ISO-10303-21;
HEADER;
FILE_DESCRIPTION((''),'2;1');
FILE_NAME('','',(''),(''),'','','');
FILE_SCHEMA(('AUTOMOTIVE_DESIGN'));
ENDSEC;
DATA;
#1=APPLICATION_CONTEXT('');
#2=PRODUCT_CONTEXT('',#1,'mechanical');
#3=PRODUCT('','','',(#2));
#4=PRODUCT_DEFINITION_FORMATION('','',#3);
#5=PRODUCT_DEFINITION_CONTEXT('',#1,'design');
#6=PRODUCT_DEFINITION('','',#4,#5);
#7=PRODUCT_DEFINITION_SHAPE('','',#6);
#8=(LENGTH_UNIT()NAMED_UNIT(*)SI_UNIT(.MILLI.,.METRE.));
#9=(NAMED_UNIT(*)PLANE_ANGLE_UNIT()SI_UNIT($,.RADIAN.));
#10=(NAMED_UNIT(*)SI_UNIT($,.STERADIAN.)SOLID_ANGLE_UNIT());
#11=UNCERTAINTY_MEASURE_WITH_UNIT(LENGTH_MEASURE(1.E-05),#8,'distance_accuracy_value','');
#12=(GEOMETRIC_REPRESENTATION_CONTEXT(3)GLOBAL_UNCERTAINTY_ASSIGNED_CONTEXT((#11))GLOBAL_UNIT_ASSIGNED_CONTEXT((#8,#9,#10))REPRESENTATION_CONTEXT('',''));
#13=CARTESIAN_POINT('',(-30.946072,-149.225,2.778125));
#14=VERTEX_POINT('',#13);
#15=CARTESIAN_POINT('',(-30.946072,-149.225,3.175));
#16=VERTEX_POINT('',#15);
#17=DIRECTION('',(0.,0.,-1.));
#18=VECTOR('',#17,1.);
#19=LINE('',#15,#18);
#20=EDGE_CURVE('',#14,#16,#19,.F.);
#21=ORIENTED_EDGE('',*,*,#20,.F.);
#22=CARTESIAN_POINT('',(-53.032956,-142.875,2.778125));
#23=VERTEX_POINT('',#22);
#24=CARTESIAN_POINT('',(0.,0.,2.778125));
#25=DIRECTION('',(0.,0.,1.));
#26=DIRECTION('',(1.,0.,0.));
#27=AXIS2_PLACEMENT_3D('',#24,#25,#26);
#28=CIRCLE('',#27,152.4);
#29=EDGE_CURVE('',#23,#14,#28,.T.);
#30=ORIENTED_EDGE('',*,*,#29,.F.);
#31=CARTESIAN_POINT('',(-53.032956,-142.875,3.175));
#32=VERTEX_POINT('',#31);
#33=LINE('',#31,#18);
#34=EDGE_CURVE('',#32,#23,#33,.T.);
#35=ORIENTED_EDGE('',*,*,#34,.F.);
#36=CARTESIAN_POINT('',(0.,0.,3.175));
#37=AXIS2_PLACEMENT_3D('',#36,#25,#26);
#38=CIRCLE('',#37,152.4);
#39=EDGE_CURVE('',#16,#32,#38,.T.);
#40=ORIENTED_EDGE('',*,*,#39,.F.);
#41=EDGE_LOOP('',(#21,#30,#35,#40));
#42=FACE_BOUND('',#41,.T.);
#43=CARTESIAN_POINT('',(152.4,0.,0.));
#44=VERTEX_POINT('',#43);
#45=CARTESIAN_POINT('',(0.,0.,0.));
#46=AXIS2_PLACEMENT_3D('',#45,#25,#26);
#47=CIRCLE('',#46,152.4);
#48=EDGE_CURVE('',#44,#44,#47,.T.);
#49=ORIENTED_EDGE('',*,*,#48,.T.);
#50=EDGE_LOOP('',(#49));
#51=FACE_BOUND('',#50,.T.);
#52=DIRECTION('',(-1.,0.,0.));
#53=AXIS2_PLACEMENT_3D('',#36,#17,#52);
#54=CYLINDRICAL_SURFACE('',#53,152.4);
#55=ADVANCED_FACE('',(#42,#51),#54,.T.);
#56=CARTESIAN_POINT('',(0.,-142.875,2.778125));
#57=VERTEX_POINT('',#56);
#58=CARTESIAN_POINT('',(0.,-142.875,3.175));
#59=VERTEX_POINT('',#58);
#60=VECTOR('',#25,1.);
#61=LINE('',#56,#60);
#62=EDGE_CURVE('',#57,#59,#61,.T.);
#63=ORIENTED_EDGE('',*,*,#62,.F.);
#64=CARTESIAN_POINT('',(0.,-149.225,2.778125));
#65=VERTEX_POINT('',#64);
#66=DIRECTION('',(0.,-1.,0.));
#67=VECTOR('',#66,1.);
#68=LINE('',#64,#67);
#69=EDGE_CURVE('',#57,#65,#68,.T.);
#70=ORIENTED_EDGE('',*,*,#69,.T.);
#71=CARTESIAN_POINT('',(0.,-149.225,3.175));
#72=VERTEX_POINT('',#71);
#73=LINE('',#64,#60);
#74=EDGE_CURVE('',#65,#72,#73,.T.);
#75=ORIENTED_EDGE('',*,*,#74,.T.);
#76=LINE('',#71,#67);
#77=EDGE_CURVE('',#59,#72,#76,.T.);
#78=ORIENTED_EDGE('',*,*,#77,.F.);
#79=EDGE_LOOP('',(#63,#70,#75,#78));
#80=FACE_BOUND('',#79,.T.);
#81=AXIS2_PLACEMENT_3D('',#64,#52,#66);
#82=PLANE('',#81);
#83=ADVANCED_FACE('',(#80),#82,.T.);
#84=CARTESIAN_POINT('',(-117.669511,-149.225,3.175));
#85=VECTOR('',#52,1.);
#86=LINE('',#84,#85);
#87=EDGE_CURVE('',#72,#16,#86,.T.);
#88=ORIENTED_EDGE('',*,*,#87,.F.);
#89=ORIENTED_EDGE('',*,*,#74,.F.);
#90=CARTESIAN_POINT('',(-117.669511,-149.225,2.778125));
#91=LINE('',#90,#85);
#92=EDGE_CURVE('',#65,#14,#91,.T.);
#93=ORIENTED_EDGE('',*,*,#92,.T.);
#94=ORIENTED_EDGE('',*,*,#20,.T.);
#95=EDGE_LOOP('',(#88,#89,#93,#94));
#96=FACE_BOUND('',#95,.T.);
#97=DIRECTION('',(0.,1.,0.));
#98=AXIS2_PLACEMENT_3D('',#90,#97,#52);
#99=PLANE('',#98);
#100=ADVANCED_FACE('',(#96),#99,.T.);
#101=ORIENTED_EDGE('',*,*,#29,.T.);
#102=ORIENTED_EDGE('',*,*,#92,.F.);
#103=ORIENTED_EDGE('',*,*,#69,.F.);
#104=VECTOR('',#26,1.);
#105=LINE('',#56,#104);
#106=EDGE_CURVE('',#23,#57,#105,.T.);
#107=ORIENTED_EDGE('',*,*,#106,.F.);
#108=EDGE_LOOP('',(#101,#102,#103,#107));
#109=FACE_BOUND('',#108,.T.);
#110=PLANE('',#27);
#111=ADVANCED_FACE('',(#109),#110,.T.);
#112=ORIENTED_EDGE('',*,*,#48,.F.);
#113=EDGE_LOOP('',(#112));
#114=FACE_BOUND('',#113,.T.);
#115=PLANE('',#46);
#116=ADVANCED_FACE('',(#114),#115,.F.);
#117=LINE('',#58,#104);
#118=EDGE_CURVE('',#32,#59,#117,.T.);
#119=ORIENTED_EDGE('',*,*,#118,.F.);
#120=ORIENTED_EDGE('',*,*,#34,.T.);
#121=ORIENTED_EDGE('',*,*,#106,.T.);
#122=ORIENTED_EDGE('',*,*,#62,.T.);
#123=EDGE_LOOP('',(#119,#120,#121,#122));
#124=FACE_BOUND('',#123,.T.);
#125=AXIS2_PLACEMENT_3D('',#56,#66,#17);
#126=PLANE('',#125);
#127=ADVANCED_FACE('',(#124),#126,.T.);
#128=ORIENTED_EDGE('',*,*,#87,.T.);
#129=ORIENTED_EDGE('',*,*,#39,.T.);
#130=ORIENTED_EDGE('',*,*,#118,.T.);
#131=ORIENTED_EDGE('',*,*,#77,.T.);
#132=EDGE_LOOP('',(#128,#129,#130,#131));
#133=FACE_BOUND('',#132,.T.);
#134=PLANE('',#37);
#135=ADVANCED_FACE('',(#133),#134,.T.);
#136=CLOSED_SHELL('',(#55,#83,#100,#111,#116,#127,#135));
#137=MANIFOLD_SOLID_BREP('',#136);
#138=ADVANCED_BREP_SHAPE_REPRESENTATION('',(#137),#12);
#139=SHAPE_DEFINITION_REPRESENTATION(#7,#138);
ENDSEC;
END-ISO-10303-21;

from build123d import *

# Parameters (mm, degrees)
SKETCH1_R           = 152.4
BOSS_EXTRUDE1_DEPTH = 3.175
CUT_EXTRUDE2_START  = -3.175
SKETCH2_W           = 117.669510625
SKETCH2_H           = 6.35
CUT_EXTRUDE2_DEPTH  = 0.396875


with BuildPart() as part:
    # Sketch1 → Boss-Extrude1 (new body)
    with BuildSketch(Plane.XY):
        Circle(SKETCH1_R)
    extrude(amount=BOSS_EXTRUDE1_DEPTH)

    # Sketch2 → Cut-Extrude2 (cut)
    with BuildSketch(Plane(origin=(0, 0, 0), x_dir=(-1, 0, 0), z_dir=(0, 0, -1)).offset(CUT_EXTRUDE2_START)):
        with Locations((58.834755313, -146.05)):
            Rectangle(SKETCH2_W, SKETCH2_H)
    extrude(amount=CUT_EXTRUDE2_DEPTH, mode=Mode.SUBTRACT)


solid = part.part
